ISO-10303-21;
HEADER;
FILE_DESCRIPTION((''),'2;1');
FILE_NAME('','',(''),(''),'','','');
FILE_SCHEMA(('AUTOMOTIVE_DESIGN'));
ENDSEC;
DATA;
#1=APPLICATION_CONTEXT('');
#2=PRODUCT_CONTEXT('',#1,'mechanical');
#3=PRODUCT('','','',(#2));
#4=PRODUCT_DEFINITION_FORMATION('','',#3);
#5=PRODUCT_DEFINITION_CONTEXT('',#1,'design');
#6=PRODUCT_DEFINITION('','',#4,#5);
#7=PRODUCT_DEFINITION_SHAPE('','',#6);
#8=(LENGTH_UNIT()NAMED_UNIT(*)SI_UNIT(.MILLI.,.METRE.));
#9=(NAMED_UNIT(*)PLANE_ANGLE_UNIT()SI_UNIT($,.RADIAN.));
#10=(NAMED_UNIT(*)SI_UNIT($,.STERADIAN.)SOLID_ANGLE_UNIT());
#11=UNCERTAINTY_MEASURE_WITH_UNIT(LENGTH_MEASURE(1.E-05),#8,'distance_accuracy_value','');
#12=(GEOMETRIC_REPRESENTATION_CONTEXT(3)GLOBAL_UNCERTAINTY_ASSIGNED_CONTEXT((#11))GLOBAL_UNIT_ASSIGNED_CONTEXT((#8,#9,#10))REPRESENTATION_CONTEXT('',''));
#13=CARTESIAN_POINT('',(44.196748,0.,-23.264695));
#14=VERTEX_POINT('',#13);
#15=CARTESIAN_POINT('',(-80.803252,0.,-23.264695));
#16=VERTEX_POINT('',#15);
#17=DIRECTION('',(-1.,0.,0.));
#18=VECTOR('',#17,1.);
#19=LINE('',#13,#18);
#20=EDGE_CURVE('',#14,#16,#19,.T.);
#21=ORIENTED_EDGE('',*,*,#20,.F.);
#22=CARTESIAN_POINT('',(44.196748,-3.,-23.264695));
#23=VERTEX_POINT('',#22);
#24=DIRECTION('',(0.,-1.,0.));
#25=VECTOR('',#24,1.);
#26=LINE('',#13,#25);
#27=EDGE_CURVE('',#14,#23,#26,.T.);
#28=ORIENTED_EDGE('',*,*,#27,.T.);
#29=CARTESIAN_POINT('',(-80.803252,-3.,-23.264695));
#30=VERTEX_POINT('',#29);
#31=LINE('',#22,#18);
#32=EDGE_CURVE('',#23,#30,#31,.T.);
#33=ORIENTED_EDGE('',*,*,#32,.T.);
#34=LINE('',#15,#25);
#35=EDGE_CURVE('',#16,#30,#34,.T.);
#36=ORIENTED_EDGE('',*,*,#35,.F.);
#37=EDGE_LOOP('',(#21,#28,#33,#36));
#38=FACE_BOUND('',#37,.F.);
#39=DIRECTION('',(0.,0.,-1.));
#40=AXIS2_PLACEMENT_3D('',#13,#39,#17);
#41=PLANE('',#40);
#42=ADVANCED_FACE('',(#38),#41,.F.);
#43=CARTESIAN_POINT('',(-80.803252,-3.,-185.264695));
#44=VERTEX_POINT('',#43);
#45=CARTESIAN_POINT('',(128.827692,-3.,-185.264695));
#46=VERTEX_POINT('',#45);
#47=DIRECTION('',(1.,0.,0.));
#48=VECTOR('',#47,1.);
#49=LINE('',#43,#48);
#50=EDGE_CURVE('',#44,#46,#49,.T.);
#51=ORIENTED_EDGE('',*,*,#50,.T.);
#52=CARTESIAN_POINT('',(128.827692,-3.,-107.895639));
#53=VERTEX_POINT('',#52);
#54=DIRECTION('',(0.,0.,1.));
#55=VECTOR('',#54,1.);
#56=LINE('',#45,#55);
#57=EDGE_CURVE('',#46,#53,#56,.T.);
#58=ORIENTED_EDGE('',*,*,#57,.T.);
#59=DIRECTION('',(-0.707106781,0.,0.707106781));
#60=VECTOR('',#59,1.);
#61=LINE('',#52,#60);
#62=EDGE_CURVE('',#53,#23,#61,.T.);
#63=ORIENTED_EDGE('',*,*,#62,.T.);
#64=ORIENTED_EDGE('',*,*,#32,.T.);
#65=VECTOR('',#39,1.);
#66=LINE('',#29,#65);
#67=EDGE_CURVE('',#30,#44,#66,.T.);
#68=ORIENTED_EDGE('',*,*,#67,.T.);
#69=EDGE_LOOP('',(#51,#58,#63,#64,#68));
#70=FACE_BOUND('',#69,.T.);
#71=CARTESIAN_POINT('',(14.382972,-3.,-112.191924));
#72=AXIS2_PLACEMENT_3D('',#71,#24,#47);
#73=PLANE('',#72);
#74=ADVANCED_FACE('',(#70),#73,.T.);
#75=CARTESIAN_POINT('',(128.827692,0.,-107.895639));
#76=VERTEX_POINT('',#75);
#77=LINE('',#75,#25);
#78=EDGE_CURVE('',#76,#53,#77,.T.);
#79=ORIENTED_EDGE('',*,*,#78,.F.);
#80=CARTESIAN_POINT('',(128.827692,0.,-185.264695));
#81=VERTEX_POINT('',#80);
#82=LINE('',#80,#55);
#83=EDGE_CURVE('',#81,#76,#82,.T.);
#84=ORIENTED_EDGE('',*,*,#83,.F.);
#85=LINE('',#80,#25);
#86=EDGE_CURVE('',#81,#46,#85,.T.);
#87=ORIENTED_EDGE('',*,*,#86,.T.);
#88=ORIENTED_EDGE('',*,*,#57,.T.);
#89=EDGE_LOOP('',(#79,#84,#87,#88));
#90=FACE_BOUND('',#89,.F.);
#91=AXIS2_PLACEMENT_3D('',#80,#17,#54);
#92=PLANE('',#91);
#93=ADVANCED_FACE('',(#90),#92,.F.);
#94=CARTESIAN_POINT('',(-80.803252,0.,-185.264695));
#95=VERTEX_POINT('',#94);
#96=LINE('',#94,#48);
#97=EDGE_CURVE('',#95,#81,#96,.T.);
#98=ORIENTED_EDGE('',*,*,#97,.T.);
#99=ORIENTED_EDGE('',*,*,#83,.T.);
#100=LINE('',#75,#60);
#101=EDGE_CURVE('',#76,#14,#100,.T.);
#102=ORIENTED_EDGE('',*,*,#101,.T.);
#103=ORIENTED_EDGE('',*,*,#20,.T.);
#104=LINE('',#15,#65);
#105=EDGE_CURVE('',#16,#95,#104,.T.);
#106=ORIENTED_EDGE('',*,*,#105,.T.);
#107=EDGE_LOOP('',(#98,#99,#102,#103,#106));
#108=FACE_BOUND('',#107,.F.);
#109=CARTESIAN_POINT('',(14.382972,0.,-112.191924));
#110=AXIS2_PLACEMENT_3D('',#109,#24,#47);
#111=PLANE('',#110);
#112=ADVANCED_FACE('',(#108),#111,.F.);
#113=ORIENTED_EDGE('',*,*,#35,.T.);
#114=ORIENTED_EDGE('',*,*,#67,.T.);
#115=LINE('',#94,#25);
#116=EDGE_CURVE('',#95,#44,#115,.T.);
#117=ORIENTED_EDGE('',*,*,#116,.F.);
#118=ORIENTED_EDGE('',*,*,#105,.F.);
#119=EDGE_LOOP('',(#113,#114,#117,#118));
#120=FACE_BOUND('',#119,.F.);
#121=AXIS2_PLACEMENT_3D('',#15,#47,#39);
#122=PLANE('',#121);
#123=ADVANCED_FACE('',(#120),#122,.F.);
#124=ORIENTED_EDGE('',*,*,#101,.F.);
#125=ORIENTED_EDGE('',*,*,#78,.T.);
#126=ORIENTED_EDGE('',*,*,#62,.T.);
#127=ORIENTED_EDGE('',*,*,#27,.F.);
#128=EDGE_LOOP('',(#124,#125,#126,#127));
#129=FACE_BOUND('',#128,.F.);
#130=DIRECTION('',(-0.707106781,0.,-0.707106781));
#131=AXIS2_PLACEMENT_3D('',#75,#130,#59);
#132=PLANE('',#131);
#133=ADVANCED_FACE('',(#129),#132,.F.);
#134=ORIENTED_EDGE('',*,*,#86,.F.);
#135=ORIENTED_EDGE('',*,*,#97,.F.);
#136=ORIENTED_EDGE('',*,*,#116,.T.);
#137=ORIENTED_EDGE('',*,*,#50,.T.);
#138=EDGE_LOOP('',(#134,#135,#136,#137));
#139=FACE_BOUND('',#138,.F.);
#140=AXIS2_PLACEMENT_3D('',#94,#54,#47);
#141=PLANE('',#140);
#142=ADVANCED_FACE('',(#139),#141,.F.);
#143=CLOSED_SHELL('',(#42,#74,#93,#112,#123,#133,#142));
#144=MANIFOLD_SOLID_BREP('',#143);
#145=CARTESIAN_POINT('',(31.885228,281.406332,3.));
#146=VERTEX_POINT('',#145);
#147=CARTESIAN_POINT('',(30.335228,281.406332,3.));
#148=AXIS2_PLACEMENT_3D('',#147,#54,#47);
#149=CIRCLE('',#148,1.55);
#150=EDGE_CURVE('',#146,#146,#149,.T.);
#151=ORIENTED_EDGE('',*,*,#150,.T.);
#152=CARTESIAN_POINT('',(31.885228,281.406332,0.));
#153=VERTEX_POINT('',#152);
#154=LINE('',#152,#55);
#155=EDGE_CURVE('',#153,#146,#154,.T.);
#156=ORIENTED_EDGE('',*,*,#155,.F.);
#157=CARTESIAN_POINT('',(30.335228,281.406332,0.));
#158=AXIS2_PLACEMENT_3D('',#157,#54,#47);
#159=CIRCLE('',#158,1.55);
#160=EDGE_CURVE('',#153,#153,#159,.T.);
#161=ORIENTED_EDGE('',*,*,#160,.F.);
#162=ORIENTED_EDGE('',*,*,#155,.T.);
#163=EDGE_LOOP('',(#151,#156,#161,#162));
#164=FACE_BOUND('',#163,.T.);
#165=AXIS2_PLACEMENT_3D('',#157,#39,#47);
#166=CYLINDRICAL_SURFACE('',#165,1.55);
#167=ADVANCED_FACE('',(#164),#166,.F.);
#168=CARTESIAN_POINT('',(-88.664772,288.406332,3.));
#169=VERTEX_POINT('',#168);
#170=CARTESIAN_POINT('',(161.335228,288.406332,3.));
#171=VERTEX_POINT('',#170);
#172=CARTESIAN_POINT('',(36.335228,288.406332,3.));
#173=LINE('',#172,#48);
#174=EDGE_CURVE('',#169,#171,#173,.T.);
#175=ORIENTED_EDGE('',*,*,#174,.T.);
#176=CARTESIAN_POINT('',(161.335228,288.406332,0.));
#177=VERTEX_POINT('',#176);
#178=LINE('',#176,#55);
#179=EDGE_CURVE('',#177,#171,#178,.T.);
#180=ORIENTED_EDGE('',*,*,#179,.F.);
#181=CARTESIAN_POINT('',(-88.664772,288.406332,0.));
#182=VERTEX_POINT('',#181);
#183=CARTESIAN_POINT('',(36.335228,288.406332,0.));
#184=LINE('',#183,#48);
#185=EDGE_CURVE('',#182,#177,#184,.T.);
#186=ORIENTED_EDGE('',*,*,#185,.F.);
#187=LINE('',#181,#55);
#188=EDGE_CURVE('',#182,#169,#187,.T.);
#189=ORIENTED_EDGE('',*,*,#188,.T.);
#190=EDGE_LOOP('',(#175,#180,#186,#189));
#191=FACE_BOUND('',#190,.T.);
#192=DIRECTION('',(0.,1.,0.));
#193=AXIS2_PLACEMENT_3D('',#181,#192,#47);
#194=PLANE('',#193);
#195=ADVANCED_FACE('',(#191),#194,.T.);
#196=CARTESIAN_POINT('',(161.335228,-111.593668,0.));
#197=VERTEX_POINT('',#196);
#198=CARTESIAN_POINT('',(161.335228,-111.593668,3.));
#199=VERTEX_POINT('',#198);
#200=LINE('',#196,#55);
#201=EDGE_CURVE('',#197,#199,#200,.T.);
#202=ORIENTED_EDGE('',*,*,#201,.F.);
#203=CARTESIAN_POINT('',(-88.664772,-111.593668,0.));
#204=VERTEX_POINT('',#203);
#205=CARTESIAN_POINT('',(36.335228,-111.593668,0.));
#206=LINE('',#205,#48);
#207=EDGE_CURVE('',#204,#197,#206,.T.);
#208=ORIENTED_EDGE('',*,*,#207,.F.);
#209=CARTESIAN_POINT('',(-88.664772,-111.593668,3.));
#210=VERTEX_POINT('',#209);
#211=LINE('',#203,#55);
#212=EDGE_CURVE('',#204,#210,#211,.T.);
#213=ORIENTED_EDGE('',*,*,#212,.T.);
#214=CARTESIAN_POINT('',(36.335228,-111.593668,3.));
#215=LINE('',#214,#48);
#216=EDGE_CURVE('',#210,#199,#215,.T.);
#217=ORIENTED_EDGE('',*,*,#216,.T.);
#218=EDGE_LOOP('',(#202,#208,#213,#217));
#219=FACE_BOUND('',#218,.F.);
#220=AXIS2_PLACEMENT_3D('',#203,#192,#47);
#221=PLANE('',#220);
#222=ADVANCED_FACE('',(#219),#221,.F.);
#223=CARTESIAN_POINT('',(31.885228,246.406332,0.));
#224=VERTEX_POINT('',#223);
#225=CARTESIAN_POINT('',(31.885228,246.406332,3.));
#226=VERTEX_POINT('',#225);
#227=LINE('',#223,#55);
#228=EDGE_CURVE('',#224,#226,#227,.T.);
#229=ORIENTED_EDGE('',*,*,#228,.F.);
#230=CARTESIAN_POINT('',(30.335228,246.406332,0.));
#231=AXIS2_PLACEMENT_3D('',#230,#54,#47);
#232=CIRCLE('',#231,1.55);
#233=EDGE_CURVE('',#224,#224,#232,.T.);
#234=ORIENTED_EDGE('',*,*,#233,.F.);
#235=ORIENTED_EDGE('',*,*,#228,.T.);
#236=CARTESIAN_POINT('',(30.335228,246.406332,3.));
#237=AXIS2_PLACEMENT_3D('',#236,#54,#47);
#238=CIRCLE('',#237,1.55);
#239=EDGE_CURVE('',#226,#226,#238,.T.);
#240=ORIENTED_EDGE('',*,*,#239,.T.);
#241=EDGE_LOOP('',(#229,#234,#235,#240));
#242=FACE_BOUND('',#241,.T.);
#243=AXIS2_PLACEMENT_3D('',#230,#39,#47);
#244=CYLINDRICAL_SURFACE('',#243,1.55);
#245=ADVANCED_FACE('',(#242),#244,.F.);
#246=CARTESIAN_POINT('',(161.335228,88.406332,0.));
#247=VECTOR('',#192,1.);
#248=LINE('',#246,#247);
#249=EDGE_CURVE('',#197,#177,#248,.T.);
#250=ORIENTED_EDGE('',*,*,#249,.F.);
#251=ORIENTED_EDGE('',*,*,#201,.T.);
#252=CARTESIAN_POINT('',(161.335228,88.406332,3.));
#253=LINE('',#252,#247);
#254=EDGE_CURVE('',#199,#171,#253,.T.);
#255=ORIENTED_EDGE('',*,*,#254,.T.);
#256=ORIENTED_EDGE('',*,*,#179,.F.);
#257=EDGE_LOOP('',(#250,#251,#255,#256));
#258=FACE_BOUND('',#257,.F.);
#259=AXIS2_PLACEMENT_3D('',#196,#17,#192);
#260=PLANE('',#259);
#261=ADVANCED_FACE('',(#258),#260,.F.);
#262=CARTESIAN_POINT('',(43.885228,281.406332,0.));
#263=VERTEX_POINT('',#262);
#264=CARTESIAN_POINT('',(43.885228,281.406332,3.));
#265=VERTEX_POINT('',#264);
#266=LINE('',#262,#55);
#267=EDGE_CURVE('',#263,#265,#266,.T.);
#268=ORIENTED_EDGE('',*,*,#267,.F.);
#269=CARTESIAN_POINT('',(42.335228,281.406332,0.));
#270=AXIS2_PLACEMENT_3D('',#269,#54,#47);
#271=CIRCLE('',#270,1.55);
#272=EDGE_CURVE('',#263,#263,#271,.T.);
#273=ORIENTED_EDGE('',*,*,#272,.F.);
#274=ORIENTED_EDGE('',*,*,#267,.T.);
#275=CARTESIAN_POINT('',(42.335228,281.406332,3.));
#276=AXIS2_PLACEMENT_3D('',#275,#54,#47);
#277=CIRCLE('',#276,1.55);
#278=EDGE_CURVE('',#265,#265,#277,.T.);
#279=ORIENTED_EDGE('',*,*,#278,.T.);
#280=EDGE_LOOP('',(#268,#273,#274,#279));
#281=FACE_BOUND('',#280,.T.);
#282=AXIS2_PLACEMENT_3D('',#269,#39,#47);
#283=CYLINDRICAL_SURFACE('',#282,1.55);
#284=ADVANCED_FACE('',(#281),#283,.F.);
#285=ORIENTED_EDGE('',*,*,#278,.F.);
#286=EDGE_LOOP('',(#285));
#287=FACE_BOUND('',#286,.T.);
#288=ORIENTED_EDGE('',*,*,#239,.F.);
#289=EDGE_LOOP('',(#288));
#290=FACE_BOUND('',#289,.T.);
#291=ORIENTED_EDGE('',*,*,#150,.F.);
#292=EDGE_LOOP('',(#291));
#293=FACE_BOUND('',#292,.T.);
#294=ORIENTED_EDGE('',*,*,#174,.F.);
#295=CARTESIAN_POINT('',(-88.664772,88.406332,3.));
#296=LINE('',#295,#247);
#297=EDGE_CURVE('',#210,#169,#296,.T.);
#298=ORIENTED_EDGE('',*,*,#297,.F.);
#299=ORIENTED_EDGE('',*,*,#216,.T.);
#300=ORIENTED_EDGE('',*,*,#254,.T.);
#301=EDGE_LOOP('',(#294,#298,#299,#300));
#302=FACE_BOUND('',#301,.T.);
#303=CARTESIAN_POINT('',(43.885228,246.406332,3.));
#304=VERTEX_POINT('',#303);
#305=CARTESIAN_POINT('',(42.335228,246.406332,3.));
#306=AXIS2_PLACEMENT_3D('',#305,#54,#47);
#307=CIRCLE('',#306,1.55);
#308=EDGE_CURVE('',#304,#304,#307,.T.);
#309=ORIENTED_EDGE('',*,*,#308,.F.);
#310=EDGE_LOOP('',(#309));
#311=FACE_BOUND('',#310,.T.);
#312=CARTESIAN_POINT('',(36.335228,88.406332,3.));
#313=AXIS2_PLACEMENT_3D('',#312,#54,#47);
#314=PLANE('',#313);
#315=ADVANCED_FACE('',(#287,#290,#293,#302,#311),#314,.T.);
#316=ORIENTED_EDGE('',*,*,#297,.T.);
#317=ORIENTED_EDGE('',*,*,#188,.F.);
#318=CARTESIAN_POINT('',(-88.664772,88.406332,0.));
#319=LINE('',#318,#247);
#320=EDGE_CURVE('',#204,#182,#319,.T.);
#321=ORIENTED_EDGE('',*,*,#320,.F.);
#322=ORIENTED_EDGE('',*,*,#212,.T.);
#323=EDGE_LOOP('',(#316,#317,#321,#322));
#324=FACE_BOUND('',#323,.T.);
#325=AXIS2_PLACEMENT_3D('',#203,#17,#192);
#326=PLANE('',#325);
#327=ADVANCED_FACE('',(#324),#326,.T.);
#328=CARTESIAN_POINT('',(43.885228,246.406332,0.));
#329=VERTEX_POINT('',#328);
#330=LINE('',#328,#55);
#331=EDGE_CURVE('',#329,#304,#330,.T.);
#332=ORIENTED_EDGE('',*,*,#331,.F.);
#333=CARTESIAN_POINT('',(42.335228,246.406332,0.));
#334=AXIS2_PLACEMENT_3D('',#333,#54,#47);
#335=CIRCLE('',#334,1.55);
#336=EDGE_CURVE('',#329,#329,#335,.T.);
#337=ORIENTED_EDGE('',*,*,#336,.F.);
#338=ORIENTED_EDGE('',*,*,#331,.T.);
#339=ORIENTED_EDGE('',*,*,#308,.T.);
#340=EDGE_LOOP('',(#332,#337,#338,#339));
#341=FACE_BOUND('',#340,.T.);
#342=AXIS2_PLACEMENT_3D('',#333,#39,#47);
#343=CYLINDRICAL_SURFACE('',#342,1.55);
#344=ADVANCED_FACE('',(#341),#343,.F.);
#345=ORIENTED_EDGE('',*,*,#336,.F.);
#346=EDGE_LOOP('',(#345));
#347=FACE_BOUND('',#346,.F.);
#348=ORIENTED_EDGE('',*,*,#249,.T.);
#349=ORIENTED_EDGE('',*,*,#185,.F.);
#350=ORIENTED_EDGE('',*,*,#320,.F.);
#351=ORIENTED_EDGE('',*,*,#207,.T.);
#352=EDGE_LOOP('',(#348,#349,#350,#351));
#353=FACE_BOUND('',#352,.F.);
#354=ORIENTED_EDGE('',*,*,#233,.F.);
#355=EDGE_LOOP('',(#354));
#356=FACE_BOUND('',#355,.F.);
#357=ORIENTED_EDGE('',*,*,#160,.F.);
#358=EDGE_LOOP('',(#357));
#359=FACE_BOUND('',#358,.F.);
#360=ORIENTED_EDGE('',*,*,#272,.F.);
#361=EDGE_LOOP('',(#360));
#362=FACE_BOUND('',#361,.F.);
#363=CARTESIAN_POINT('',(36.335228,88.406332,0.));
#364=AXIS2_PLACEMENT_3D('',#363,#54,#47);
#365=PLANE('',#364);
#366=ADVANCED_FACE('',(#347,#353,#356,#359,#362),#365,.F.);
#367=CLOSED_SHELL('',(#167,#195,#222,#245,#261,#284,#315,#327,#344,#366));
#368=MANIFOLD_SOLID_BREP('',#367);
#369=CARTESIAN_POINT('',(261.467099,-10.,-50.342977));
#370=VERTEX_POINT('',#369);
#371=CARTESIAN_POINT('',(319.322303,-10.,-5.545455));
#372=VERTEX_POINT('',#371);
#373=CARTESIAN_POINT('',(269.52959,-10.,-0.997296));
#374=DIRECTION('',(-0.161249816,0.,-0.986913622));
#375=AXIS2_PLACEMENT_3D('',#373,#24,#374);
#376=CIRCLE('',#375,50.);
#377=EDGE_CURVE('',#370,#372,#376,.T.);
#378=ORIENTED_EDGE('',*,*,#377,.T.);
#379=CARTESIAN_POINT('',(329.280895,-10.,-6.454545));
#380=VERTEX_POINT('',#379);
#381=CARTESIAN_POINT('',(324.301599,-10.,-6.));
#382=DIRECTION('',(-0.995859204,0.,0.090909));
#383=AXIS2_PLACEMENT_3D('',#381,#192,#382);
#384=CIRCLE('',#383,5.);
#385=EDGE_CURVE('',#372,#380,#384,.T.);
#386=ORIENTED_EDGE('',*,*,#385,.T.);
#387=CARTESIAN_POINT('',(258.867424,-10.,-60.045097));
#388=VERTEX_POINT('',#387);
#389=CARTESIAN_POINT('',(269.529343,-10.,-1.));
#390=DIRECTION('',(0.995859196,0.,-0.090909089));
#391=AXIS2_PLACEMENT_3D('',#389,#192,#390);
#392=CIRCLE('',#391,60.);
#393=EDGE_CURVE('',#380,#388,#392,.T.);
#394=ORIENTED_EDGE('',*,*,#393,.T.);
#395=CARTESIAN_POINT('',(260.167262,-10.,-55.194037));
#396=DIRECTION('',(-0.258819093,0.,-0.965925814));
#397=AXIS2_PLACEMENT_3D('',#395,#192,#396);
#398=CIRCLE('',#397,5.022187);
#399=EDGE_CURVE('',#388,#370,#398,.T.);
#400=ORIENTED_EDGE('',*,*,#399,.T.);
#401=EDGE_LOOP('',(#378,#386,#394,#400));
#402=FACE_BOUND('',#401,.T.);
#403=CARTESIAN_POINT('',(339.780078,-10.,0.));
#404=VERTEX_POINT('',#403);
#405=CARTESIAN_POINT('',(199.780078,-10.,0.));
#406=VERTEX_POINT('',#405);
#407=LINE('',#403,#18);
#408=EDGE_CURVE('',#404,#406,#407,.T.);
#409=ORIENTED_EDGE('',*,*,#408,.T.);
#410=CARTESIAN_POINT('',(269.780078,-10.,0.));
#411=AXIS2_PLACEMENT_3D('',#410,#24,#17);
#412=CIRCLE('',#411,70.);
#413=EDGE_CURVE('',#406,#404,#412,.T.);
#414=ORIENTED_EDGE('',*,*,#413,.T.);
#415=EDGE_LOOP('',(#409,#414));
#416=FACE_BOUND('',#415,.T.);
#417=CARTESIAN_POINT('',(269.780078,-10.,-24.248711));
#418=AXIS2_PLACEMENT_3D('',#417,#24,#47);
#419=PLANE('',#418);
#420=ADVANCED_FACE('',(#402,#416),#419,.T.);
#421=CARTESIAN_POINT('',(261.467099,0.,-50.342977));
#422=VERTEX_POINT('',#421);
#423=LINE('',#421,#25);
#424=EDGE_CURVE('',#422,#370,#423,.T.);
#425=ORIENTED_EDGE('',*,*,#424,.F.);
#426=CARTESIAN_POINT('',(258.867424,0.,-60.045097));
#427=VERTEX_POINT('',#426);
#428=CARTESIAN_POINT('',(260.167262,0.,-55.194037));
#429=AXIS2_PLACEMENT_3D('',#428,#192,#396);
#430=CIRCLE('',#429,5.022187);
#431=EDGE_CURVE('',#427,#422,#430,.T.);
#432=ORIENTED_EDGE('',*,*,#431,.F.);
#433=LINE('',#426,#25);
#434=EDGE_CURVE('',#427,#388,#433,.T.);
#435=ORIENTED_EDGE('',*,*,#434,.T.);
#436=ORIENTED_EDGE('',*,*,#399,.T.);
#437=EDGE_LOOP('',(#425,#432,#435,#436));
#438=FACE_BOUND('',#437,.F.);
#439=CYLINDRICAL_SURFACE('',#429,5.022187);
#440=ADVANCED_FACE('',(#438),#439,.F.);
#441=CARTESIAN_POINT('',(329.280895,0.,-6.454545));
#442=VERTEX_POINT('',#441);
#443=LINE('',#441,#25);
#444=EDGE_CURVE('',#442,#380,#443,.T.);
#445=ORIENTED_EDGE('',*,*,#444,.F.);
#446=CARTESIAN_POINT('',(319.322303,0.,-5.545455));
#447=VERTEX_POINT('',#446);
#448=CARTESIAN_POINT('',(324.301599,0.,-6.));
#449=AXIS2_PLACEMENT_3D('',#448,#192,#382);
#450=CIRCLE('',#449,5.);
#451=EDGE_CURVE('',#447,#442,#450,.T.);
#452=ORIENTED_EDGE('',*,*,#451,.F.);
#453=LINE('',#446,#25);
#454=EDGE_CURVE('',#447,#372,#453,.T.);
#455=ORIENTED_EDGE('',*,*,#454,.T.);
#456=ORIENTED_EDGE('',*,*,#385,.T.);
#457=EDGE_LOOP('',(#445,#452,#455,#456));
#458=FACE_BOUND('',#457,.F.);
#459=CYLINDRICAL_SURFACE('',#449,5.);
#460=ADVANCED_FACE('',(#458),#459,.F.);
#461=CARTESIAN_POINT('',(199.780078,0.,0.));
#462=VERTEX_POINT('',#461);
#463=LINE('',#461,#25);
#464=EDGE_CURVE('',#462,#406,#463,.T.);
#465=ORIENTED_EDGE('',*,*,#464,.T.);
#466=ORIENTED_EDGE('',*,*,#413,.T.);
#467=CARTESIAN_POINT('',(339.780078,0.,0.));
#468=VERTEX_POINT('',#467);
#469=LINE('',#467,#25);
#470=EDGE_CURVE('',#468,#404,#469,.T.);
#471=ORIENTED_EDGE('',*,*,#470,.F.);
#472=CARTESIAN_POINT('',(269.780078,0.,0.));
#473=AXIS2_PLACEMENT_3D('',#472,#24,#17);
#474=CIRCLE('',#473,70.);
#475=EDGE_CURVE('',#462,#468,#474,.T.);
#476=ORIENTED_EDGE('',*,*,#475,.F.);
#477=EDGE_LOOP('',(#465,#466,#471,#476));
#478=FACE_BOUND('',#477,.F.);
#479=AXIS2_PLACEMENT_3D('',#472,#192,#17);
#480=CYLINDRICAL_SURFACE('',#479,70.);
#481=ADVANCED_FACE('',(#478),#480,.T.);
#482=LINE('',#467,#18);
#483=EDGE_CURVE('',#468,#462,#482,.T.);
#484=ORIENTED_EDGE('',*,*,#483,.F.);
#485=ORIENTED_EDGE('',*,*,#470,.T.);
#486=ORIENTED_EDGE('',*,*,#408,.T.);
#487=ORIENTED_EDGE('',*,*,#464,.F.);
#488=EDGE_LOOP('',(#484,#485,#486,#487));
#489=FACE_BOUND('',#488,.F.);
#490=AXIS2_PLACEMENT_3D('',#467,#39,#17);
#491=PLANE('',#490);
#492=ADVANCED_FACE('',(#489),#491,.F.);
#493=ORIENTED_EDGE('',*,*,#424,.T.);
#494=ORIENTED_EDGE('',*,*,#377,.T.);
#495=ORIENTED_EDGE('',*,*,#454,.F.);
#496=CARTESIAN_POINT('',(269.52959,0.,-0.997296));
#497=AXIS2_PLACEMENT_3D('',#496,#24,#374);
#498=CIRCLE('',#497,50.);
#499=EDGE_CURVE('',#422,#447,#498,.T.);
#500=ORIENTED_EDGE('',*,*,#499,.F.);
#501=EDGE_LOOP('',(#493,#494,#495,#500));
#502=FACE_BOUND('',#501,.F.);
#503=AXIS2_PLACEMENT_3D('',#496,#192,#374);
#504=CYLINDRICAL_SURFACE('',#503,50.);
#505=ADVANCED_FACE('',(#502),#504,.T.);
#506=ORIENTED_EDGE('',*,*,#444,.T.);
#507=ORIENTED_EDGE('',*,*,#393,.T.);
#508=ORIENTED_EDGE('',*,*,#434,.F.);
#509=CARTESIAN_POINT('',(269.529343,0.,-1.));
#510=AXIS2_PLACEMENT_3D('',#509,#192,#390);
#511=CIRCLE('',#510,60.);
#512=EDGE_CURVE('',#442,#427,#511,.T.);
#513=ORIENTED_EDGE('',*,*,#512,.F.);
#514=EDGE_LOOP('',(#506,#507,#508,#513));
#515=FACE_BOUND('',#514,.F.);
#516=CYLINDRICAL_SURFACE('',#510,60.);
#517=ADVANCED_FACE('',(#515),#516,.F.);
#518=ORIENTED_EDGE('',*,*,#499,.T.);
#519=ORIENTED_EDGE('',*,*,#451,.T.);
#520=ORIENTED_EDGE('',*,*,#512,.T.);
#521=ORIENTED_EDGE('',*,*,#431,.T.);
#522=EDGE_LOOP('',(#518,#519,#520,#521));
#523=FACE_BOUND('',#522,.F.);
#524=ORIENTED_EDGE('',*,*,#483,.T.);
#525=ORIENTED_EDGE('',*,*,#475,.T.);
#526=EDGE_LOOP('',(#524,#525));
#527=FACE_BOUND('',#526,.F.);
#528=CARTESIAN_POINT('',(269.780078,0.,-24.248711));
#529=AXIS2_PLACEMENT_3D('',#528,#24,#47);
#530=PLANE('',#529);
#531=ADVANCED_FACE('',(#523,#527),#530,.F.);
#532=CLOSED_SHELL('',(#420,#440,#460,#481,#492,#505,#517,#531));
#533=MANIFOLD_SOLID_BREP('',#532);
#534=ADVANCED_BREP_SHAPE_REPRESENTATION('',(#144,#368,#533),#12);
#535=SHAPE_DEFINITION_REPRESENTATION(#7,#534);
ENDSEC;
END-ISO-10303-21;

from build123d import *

# Parameters (mm, degrees)
F0_W     = 250
F0_H     = 400
F0_R     = 1.55
F1_DEPTH = 3
F3_DEPTH = 3
F5_DEPTH = 10


with BuildPart() as f1:
    # F0 (on Top) → F1 (new body)
    with BuildSketch(Plane.XY):
        with Locations((36.335228, 88.406332)):
            Rectangle(F0_W, F0_H)
        with Locations((30.335228, 246.406332)):
            Circle(F0_R, mode=Mode.SUBTRACT)
        with Locations((30.335228, 281.406332)):
            Circle(F0_R, mode=Mode.SUBTRACT)
        with Locations((42.335228, 246.406332)):
            Circle(F0_R, mode=Mode.SUBTRACT)
        with Locations((42.335228, 281.406332)):
            Circle(F0_R, mode=Mode.SUBTRACT)
    extrude(amount=F1_DEPTH)


with BuildPart() as f3:
    # F2 (on Front) → F3 (new body)
    with BuildSketch(Plane.XZ):
        Polygon((44.196748, -23.264695), (-80.803252, -23.264695), (-80.803252, -185.264695), (128.827692, -185.264695), (128.827692, -107.895639), align=None)
    extrude(amount=F3_DEPTH)


with BuildPart() as f5:
    # F4 (on Front) → F5 (new body)
    with BuildSketch(Plane.XZ):
        with BuildLine():
            Line((229.529343, 0), (199.780078, 0))
            ThreePointArc((199.780078, 0), (269.780078, -70), (339.780078, 0))
            Line((339.780078, 0), (309.529343, 0))
            Line((309.529343, 0), (229.529343, 0))
        make_face()
        with BuildLine():
            ThreePointArc((258.867424, -60.045097), (255.316202, -53.894199), (261.467099, -50.342977))
            ThreePointArc((261.467099, -50.342977), (300.140983, -40.531365), (319.322303, -5.545455))
            ThreePointArc((319.322303, -5.545455), (324.756144, -1.020704), (329.280895, -6.454545))
            ThreePointArc((329.280895, -6.454545), (305.867131, -48.744792), (258.867424, -60.045097))
        make_face(mode=Mode.SUBTRACT)
    extrude(amount=F5_DEPTH)


solid = Compound([f1.part, f3.part, f5.part])
